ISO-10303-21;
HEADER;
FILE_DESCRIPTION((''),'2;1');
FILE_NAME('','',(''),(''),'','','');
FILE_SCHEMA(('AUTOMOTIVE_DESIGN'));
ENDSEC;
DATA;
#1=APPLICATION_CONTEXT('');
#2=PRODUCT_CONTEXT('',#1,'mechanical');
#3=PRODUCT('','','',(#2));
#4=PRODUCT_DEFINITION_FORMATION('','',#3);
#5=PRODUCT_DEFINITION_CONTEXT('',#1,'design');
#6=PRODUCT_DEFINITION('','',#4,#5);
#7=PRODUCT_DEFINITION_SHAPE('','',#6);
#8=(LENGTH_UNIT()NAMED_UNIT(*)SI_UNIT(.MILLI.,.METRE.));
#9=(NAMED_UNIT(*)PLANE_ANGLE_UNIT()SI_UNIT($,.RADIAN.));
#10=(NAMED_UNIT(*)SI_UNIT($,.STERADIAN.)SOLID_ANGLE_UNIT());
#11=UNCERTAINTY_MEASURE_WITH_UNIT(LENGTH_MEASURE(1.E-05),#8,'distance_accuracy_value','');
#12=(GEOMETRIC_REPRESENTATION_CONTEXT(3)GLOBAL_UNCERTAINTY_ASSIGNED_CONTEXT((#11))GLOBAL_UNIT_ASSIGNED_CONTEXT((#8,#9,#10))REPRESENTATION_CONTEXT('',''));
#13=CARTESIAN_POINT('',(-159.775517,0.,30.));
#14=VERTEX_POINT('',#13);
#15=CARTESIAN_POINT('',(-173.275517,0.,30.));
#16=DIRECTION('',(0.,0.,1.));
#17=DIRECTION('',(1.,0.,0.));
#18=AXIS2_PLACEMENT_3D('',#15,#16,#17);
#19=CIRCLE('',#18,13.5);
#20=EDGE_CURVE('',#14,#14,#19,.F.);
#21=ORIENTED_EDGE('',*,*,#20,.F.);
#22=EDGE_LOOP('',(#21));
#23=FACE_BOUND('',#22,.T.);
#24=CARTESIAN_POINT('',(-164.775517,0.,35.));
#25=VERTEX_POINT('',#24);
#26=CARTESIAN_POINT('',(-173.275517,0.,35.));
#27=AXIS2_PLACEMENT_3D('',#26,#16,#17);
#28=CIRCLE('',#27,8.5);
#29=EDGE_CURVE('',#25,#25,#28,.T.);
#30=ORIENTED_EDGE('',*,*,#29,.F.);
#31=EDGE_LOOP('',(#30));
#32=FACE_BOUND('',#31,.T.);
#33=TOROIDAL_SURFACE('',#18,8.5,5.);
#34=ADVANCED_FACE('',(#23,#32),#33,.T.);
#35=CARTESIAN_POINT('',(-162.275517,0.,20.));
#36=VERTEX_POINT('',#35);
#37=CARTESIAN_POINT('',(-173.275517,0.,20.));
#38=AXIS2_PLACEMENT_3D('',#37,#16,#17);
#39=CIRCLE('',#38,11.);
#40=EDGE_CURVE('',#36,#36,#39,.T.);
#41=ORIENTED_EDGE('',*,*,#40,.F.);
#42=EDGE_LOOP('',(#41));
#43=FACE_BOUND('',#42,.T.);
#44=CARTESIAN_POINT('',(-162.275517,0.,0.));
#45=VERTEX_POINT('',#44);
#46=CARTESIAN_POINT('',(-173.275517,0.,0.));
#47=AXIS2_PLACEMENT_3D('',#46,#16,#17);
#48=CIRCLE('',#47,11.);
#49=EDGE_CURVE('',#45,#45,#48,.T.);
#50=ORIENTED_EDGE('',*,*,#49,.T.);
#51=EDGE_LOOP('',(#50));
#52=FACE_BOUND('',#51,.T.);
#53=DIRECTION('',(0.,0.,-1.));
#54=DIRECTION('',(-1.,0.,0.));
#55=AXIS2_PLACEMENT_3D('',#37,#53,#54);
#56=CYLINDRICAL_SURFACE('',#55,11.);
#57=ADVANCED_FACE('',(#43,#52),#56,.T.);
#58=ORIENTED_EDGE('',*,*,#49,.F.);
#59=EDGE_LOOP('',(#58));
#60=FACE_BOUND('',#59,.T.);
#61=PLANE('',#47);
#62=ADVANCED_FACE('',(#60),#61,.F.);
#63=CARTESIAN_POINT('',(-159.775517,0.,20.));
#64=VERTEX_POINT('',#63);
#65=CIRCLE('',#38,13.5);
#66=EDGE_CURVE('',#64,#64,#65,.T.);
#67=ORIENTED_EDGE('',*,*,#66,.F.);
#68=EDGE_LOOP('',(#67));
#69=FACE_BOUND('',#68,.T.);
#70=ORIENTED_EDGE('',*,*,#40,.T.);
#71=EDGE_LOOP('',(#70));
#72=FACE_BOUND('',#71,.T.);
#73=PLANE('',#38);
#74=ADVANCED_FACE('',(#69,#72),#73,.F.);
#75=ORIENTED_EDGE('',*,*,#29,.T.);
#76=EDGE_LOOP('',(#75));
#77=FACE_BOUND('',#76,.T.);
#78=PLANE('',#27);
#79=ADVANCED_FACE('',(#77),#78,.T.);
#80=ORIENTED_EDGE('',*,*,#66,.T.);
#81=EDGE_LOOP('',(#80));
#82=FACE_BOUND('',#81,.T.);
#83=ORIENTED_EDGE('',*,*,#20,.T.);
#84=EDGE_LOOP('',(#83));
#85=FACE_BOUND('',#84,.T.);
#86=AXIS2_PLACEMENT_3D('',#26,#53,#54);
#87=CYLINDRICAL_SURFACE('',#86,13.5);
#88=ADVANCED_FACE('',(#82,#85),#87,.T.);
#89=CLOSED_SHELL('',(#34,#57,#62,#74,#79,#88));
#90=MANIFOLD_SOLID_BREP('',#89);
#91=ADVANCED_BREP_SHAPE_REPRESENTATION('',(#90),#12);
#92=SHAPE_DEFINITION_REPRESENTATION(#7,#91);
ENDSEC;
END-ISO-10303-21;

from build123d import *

# Parameters (mm, degrees)
SKETCH_1_R      = 11
EXTRUDE_1_DEPTH = 20
SKETCH_2_R      = 13.5
EXTRUDE_2_DEPTH = 15
FILLET_1_R      = 5


with BuildPart() as part:
    # 草图1 → 凸台-拉伸1 (new body)
    with BuildSketch(Plane.XY):
        with Locations((-173.275516994, 0)):
            Circle(SKETCH_1_R)
    extrude(amount=EXTRUDE_1_DEPTH)

    # 草图2 → 凸台-拉伸2 (add)
    with BuildSketch(Plane.XY.offset(20)):
        with Locations((-173.275516994, 0)):
            Circle(SKETCH_2_R)
    extrude(amount=EXTRUDE_2_DEPTH)

    # 圆角1
    fillet_1_edges = [part.edges().sort_by_distance(p)[0] for p in [
        (-186.775516994, 0, 35),
    ]]
    fillet(fillet_1_edges, radius=FILLET_1_R)


solid = part.part
